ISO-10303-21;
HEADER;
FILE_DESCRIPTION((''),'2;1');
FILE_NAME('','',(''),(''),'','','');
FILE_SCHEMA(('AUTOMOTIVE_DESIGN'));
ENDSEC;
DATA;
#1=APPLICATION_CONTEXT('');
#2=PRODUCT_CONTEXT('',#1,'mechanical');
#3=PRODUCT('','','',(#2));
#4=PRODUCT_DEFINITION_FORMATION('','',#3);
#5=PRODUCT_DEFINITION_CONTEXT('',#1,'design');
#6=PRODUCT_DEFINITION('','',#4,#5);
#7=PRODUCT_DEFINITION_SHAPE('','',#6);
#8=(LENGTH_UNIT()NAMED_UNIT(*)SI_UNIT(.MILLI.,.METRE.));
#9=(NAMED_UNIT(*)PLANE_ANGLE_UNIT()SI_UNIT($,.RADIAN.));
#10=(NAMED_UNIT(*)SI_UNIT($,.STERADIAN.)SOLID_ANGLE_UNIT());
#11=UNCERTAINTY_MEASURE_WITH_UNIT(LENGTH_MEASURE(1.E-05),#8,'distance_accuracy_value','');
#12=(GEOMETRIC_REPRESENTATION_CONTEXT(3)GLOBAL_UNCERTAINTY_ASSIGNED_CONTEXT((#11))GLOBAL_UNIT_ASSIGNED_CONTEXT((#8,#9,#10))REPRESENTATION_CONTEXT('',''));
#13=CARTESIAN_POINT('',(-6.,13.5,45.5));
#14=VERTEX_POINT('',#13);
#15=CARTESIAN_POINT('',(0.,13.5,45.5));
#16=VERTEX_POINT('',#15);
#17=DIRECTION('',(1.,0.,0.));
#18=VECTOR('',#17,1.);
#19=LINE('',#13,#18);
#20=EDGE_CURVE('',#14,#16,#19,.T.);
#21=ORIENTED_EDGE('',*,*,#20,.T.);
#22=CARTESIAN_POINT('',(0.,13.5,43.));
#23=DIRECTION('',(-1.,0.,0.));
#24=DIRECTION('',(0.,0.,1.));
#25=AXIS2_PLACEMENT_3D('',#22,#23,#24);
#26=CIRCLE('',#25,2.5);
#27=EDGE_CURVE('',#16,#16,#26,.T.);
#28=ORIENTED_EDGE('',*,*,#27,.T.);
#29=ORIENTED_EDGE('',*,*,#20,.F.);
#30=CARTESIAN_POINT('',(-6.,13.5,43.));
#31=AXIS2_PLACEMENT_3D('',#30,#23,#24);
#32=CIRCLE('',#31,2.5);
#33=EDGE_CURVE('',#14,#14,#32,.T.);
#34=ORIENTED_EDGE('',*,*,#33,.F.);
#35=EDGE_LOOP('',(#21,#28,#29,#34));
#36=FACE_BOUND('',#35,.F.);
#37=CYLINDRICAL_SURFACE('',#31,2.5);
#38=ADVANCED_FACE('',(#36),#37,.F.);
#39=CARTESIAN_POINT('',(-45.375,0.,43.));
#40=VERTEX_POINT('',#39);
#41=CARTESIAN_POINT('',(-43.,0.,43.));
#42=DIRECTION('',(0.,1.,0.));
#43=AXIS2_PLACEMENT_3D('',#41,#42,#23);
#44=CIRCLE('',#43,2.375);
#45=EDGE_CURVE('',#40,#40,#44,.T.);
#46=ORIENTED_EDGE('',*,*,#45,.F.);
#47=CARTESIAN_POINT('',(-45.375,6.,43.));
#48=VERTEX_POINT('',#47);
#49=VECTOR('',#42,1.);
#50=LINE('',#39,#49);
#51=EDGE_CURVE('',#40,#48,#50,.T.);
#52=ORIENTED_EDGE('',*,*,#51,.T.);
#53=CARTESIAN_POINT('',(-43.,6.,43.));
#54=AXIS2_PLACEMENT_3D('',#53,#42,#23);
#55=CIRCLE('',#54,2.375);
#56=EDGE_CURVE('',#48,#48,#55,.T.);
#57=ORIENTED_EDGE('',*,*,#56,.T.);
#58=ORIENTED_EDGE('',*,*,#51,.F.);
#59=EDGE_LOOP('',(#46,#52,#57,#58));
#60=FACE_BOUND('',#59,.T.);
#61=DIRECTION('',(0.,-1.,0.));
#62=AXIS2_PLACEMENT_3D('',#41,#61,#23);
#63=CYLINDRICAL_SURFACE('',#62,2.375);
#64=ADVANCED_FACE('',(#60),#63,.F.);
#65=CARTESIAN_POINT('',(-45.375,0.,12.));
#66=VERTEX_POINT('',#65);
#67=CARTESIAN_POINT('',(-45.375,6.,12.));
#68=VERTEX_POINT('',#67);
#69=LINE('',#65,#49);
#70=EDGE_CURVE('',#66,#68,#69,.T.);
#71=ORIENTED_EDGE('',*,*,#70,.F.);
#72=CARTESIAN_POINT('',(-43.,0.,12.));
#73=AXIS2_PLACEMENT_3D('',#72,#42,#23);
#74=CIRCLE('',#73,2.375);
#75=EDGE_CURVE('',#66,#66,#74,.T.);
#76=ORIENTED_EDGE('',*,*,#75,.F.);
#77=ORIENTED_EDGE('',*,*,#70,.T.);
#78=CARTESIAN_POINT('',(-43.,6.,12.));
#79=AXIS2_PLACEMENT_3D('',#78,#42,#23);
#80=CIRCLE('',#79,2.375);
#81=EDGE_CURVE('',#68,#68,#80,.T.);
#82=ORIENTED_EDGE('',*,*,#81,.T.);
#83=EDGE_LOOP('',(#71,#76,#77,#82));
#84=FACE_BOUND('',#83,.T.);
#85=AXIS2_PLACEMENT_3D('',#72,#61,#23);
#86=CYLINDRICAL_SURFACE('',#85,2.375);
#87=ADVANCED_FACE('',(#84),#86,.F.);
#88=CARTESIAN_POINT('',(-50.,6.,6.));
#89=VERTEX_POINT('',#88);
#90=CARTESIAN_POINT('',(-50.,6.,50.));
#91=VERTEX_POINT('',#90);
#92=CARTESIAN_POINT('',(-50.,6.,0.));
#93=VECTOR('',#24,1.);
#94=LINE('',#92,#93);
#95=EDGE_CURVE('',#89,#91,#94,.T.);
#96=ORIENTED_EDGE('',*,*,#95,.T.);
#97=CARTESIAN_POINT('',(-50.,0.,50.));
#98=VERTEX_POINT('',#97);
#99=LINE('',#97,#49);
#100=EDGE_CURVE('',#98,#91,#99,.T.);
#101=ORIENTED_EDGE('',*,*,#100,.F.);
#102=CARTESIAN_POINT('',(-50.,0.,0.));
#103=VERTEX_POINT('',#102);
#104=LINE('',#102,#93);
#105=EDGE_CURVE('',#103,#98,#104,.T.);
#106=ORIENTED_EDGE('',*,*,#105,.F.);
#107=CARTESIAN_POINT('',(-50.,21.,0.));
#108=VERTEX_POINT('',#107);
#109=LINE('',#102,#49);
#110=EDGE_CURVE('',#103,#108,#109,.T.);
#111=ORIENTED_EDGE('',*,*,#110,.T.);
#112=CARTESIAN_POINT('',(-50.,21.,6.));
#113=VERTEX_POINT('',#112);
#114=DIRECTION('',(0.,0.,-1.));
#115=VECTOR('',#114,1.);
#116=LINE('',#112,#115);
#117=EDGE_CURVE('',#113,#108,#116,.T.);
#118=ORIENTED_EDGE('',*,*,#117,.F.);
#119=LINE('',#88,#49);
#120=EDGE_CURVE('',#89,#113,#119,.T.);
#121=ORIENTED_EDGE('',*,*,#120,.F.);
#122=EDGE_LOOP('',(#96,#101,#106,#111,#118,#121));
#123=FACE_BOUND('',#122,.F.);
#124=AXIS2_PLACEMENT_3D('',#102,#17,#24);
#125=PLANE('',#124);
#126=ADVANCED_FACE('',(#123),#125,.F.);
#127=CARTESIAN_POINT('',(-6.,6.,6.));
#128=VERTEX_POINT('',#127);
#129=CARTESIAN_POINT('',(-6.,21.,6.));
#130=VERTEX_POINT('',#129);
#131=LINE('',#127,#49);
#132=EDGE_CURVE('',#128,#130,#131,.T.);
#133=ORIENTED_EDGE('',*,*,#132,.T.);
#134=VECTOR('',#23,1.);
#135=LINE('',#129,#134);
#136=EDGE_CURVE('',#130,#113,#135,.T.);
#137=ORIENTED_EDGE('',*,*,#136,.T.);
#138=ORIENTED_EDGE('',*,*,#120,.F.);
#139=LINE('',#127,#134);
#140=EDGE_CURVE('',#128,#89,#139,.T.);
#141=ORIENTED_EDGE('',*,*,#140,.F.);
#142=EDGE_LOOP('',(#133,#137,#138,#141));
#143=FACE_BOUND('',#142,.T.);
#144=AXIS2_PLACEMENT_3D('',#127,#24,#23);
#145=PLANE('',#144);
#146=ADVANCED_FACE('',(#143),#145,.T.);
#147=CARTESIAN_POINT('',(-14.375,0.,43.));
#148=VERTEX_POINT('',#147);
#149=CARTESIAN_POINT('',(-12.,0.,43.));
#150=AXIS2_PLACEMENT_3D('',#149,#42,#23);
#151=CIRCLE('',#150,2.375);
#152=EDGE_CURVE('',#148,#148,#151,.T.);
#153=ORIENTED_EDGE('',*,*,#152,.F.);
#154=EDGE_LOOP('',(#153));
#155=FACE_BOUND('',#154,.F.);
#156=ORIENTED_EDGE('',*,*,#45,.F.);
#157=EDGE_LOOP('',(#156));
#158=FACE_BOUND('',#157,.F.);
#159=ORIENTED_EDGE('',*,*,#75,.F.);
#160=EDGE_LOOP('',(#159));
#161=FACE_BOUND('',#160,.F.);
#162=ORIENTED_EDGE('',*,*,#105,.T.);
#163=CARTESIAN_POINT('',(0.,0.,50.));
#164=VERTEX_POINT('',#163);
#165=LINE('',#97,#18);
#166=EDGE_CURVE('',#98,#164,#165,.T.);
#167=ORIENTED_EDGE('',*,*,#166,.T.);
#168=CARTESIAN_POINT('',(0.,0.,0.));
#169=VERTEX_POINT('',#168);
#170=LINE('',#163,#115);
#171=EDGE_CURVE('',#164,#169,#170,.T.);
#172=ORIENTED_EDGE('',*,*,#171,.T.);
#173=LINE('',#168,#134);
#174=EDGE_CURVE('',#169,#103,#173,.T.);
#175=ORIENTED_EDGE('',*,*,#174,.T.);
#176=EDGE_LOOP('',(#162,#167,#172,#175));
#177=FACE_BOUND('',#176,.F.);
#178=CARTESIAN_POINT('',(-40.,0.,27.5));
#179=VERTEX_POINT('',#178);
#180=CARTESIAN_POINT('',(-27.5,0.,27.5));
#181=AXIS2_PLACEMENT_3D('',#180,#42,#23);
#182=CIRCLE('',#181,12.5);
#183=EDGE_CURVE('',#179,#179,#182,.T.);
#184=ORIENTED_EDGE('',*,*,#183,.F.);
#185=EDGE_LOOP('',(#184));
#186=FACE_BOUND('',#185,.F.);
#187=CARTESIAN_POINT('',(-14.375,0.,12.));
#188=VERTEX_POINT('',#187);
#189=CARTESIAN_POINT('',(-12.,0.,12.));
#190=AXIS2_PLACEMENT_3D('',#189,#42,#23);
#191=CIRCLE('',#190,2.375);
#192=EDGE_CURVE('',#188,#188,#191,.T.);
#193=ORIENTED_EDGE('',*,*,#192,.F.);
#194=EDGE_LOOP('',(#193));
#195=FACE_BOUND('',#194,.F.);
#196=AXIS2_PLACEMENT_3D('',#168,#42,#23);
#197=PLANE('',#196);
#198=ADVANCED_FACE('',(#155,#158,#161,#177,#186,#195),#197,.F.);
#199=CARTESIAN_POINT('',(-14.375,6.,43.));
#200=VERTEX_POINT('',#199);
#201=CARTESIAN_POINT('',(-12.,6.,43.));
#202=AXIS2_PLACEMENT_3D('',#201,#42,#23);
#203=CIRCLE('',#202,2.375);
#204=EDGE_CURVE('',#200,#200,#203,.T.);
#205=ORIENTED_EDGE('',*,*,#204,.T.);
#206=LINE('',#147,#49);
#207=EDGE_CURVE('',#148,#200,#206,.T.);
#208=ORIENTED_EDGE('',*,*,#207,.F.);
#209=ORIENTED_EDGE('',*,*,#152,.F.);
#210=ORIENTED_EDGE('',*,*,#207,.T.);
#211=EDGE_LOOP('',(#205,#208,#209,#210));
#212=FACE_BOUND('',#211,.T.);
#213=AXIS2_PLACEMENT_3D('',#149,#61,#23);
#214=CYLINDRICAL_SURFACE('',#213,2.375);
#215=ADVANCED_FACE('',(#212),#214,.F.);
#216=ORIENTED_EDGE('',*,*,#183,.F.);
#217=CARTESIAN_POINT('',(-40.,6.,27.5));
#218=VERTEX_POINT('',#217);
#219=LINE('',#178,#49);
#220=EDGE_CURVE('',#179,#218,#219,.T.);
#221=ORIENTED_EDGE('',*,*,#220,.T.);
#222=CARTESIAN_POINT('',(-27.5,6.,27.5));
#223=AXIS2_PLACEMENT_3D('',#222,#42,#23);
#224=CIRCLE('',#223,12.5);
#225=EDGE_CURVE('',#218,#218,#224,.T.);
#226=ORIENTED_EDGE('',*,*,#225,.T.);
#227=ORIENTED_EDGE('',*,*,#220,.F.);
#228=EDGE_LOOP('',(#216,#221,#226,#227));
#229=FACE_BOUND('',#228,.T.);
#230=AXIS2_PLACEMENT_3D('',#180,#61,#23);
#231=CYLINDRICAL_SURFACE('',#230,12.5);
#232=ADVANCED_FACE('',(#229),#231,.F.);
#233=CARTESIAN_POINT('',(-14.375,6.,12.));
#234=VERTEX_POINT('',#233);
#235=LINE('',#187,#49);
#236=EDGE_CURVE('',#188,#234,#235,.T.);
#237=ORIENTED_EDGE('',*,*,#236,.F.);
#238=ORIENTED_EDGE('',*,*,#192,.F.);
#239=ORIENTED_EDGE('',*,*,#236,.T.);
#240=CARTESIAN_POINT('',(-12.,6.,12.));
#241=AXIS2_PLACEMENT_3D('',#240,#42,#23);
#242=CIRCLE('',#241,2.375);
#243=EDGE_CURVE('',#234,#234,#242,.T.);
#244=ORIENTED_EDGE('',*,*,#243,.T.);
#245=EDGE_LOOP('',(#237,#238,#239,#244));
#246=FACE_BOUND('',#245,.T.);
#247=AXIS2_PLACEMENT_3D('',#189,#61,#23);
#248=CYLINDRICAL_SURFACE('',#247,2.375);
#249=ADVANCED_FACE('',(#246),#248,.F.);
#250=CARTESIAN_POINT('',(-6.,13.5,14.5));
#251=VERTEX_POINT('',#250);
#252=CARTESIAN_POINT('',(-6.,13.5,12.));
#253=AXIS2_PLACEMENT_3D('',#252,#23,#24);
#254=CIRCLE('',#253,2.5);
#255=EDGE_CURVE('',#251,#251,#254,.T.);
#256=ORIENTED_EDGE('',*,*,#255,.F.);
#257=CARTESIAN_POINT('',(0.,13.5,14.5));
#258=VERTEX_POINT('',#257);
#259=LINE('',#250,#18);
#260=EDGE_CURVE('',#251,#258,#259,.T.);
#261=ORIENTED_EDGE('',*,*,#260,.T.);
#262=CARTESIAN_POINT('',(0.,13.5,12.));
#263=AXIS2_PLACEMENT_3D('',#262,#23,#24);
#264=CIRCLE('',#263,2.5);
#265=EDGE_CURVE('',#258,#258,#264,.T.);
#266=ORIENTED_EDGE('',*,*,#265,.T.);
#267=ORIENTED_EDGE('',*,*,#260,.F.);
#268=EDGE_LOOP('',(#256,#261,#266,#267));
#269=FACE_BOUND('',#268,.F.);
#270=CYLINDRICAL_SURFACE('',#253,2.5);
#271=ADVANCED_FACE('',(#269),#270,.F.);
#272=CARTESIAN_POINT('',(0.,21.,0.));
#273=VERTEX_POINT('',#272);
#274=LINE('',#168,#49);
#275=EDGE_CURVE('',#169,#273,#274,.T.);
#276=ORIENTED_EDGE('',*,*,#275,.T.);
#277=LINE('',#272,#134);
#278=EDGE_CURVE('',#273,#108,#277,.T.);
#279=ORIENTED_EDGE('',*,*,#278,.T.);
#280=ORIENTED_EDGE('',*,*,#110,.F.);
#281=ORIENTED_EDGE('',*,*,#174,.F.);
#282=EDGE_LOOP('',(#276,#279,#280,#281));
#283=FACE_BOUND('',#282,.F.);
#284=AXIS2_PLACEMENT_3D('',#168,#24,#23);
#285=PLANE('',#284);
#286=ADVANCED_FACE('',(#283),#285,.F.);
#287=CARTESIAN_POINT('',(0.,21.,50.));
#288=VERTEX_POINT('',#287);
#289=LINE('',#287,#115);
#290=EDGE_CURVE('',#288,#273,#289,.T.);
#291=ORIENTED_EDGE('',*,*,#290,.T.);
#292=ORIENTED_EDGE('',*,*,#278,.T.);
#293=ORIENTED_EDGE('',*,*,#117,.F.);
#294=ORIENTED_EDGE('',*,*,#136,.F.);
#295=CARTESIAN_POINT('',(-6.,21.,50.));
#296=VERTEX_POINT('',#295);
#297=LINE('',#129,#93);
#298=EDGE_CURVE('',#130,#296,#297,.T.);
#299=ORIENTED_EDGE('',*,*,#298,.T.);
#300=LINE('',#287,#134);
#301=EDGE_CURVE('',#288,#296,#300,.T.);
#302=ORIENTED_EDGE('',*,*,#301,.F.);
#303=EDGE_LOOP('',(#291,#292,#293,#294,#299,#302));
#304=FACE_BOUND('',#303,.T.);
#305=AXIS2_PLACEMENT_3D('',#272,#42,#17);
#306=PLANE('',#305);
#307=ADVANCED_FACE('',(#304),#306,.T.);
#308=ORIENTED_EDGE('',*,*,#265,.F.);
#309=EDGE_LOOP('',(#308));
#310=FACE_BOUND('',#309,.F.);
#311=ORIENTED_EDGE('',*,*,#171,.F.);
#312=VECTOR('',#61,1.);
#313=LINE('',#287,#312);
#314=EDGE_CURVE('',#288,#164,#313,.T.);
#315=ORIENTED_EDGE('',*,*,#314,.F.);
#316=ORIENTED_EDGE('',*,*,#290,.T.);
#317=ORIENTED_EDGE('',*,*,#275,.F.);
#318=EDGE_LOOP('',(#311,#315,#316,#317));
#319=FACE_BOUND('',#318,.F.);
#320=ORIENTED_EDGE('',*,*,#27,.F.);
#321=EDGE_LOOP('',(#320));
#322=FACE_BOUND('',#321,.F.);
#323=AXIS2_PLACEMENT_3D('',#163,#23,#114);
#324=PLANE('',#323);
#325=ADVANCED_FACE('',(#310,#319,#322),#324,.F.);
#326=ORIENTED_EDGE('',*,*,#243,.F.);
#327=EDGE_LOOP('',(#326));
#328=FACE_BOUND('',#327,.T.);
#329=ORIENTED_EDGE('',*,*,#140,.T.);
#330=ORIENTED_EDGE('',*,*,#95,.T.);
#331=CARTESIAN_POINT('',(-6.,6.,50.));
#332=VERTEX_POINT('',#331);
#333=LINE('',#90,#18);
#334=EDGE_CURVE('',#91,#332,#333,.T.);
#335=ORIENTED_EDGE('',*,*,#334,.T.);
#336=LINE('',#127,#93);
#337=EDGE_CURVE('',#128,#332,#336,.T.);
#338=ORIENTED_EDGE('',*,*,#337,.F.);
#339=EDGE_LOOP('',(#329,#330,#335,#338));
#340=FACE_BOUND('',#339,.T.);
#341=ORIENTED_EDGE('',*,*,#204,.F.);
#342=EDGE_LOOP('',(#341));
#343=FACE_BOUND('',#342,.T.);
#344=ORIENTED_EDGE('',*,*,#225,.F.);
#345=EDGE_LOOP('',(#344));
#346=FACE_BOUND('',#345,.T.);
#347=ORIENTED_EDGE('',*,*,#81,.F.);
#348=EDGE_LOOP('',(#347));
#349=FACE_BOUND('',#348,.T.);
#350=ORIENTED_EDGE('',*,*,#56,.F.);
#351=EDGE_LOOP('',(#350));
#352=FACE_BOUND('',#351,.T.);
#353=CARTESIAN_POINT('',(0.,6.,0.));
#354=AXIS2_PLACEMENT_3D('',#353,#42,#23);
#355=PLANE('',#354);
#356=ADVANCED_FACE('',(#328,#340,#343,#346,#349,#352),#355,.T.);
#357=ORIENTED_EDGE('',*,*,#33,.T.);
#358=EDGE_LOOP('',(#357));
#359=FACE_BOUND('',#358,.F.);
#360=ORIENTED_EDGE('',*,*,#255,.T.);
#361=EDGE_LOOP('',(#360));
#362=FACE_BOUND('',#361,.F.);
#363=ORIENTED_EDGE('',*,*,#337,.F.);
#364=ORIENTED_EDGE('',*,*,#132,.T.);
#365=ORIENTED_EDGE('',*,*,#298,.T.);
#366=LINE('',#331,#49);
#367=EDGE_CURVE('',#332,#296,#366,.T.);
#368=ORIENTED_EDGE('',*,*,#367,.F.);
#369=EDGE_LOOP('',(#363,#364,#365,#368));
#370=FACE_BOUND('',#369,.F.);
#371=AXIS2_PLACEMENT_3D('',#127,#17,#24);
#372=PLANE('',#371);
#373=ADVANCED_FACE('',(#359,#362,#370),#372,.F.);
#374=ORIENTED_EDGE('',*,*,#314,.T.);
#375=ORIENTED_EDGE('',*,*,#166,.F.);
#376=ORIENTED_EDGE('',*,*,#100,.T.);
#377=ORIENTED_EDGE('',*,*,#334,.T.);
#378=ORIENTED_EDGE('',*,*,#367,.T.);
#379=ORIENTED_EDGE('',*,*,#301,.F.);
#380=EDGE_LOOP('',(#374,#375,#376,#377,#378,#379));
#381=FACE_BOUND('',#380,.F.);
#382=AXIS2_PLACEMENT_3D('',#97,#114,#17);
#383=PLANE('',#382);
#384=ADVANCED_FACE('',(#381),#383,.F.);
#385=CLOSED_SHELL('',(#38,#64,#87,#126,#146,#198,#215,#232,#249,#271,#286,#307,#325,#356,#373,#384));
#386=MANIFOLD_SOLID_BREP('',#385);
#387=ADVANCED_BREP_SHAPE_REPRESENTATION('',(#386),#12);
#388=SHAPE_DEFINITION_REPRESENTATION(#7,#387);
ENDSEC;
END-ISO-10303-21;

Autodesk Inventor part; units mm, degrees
ref_plane "YZ Plane" through (0, 0, 0) normal (1, 0, 0) x (0, 1, 0)
ref_plane "XZ Plane" through (0, 0, 0) normal (0, 1, 0) x (-1, 0, 0)
ref_plane "XY Plane" through (0, 0, 0) normal (0, 0, 1) x (1, 0, 0)
sketch "Sketch1" plane through (0, 0, 0) normal (0, 1, 0) x (-1, 0, 0)
  line L0 (0, 0) -> (50, 0)
  line L1 (50, 0) -> (50, 50)
  line L2 (50, 50) -> (0, 50)
  line L3 (0, 50) -> (0, 0)
  circle A0 centre (12, 43) radius 2.375
  circle A1 centre (43, 43) radius 2.375
  circle A2 centre (43, 12) radius 2.375
  circle A3 centre (12, 12) radius 2.375
  circle A4 centre (27.5, 27.5) radius 12.5
  line L4 (43, 12) -> (27.5, 27.5) construction
  line L5 (27.5, 27.5) -> (12, 43) construction
  dimension "d0" = 50
  dimension "d1" = 50
  dimension "d2" = 4.75
  dimension "d3" = 31
  dimension "d4" = 31
  dimension "d5" = 7
  dimension "d6" = 7
  dimension "d7" = 25
extrude "Extrusion1" add sketch "Sketch1" along normal blind 6
sketch "Sketch2" plane through (0, 6, 0) normal (0, 1, 0) x (1, 0, 0)
  line L0 (0, 0) -> (-50, 0) projected
  line L1 (0, -50) -> (0, 0) projected
  line L2 (-50, 0) -> (0, 0)
  line L3 (0, -50) -> (-6, -50)
  line L4 (-6, -6) -> (-50, -6)
  line L5 (-6, -6) -> (-6, -50)
  line L6 (-50, -6) -> (-50, 0)
  line L7 (0, -50) -> (-6, -50)
  line L8 (0, 0) -> (0, -50)
  dimension "d10" = 6
extrude "Extrusion2" add sketch "Sketch2" along normal blind 15
sketch "Sketch3" plane through (-6, 6, 6) normal (-1, 0, 0) x (0, 0, 1)
  line L0 (0, 0) -> (0, 15) projected
  circle A0 centre (6, 7.5) radius 2.5
  circle A1 centre (37, 7.5) radius 2.5
  line L1 (0, 7.5) -> (6, 7.5) construction
  line L2 (6, 7.5) -> (37, 7.5) construction
  point P0 (-6, -6)
  dimension "d13" = 6
  dimension "d14" = 31
  dimension "d15" = 5
extrude "Extrusion3" cut sketch "Sketch3" against normal blind 15
equation "\"d1\" = d0"
equation "\"d4\" = d3"
equation "\"d6\" = d5"
properties part number "motorMount"
